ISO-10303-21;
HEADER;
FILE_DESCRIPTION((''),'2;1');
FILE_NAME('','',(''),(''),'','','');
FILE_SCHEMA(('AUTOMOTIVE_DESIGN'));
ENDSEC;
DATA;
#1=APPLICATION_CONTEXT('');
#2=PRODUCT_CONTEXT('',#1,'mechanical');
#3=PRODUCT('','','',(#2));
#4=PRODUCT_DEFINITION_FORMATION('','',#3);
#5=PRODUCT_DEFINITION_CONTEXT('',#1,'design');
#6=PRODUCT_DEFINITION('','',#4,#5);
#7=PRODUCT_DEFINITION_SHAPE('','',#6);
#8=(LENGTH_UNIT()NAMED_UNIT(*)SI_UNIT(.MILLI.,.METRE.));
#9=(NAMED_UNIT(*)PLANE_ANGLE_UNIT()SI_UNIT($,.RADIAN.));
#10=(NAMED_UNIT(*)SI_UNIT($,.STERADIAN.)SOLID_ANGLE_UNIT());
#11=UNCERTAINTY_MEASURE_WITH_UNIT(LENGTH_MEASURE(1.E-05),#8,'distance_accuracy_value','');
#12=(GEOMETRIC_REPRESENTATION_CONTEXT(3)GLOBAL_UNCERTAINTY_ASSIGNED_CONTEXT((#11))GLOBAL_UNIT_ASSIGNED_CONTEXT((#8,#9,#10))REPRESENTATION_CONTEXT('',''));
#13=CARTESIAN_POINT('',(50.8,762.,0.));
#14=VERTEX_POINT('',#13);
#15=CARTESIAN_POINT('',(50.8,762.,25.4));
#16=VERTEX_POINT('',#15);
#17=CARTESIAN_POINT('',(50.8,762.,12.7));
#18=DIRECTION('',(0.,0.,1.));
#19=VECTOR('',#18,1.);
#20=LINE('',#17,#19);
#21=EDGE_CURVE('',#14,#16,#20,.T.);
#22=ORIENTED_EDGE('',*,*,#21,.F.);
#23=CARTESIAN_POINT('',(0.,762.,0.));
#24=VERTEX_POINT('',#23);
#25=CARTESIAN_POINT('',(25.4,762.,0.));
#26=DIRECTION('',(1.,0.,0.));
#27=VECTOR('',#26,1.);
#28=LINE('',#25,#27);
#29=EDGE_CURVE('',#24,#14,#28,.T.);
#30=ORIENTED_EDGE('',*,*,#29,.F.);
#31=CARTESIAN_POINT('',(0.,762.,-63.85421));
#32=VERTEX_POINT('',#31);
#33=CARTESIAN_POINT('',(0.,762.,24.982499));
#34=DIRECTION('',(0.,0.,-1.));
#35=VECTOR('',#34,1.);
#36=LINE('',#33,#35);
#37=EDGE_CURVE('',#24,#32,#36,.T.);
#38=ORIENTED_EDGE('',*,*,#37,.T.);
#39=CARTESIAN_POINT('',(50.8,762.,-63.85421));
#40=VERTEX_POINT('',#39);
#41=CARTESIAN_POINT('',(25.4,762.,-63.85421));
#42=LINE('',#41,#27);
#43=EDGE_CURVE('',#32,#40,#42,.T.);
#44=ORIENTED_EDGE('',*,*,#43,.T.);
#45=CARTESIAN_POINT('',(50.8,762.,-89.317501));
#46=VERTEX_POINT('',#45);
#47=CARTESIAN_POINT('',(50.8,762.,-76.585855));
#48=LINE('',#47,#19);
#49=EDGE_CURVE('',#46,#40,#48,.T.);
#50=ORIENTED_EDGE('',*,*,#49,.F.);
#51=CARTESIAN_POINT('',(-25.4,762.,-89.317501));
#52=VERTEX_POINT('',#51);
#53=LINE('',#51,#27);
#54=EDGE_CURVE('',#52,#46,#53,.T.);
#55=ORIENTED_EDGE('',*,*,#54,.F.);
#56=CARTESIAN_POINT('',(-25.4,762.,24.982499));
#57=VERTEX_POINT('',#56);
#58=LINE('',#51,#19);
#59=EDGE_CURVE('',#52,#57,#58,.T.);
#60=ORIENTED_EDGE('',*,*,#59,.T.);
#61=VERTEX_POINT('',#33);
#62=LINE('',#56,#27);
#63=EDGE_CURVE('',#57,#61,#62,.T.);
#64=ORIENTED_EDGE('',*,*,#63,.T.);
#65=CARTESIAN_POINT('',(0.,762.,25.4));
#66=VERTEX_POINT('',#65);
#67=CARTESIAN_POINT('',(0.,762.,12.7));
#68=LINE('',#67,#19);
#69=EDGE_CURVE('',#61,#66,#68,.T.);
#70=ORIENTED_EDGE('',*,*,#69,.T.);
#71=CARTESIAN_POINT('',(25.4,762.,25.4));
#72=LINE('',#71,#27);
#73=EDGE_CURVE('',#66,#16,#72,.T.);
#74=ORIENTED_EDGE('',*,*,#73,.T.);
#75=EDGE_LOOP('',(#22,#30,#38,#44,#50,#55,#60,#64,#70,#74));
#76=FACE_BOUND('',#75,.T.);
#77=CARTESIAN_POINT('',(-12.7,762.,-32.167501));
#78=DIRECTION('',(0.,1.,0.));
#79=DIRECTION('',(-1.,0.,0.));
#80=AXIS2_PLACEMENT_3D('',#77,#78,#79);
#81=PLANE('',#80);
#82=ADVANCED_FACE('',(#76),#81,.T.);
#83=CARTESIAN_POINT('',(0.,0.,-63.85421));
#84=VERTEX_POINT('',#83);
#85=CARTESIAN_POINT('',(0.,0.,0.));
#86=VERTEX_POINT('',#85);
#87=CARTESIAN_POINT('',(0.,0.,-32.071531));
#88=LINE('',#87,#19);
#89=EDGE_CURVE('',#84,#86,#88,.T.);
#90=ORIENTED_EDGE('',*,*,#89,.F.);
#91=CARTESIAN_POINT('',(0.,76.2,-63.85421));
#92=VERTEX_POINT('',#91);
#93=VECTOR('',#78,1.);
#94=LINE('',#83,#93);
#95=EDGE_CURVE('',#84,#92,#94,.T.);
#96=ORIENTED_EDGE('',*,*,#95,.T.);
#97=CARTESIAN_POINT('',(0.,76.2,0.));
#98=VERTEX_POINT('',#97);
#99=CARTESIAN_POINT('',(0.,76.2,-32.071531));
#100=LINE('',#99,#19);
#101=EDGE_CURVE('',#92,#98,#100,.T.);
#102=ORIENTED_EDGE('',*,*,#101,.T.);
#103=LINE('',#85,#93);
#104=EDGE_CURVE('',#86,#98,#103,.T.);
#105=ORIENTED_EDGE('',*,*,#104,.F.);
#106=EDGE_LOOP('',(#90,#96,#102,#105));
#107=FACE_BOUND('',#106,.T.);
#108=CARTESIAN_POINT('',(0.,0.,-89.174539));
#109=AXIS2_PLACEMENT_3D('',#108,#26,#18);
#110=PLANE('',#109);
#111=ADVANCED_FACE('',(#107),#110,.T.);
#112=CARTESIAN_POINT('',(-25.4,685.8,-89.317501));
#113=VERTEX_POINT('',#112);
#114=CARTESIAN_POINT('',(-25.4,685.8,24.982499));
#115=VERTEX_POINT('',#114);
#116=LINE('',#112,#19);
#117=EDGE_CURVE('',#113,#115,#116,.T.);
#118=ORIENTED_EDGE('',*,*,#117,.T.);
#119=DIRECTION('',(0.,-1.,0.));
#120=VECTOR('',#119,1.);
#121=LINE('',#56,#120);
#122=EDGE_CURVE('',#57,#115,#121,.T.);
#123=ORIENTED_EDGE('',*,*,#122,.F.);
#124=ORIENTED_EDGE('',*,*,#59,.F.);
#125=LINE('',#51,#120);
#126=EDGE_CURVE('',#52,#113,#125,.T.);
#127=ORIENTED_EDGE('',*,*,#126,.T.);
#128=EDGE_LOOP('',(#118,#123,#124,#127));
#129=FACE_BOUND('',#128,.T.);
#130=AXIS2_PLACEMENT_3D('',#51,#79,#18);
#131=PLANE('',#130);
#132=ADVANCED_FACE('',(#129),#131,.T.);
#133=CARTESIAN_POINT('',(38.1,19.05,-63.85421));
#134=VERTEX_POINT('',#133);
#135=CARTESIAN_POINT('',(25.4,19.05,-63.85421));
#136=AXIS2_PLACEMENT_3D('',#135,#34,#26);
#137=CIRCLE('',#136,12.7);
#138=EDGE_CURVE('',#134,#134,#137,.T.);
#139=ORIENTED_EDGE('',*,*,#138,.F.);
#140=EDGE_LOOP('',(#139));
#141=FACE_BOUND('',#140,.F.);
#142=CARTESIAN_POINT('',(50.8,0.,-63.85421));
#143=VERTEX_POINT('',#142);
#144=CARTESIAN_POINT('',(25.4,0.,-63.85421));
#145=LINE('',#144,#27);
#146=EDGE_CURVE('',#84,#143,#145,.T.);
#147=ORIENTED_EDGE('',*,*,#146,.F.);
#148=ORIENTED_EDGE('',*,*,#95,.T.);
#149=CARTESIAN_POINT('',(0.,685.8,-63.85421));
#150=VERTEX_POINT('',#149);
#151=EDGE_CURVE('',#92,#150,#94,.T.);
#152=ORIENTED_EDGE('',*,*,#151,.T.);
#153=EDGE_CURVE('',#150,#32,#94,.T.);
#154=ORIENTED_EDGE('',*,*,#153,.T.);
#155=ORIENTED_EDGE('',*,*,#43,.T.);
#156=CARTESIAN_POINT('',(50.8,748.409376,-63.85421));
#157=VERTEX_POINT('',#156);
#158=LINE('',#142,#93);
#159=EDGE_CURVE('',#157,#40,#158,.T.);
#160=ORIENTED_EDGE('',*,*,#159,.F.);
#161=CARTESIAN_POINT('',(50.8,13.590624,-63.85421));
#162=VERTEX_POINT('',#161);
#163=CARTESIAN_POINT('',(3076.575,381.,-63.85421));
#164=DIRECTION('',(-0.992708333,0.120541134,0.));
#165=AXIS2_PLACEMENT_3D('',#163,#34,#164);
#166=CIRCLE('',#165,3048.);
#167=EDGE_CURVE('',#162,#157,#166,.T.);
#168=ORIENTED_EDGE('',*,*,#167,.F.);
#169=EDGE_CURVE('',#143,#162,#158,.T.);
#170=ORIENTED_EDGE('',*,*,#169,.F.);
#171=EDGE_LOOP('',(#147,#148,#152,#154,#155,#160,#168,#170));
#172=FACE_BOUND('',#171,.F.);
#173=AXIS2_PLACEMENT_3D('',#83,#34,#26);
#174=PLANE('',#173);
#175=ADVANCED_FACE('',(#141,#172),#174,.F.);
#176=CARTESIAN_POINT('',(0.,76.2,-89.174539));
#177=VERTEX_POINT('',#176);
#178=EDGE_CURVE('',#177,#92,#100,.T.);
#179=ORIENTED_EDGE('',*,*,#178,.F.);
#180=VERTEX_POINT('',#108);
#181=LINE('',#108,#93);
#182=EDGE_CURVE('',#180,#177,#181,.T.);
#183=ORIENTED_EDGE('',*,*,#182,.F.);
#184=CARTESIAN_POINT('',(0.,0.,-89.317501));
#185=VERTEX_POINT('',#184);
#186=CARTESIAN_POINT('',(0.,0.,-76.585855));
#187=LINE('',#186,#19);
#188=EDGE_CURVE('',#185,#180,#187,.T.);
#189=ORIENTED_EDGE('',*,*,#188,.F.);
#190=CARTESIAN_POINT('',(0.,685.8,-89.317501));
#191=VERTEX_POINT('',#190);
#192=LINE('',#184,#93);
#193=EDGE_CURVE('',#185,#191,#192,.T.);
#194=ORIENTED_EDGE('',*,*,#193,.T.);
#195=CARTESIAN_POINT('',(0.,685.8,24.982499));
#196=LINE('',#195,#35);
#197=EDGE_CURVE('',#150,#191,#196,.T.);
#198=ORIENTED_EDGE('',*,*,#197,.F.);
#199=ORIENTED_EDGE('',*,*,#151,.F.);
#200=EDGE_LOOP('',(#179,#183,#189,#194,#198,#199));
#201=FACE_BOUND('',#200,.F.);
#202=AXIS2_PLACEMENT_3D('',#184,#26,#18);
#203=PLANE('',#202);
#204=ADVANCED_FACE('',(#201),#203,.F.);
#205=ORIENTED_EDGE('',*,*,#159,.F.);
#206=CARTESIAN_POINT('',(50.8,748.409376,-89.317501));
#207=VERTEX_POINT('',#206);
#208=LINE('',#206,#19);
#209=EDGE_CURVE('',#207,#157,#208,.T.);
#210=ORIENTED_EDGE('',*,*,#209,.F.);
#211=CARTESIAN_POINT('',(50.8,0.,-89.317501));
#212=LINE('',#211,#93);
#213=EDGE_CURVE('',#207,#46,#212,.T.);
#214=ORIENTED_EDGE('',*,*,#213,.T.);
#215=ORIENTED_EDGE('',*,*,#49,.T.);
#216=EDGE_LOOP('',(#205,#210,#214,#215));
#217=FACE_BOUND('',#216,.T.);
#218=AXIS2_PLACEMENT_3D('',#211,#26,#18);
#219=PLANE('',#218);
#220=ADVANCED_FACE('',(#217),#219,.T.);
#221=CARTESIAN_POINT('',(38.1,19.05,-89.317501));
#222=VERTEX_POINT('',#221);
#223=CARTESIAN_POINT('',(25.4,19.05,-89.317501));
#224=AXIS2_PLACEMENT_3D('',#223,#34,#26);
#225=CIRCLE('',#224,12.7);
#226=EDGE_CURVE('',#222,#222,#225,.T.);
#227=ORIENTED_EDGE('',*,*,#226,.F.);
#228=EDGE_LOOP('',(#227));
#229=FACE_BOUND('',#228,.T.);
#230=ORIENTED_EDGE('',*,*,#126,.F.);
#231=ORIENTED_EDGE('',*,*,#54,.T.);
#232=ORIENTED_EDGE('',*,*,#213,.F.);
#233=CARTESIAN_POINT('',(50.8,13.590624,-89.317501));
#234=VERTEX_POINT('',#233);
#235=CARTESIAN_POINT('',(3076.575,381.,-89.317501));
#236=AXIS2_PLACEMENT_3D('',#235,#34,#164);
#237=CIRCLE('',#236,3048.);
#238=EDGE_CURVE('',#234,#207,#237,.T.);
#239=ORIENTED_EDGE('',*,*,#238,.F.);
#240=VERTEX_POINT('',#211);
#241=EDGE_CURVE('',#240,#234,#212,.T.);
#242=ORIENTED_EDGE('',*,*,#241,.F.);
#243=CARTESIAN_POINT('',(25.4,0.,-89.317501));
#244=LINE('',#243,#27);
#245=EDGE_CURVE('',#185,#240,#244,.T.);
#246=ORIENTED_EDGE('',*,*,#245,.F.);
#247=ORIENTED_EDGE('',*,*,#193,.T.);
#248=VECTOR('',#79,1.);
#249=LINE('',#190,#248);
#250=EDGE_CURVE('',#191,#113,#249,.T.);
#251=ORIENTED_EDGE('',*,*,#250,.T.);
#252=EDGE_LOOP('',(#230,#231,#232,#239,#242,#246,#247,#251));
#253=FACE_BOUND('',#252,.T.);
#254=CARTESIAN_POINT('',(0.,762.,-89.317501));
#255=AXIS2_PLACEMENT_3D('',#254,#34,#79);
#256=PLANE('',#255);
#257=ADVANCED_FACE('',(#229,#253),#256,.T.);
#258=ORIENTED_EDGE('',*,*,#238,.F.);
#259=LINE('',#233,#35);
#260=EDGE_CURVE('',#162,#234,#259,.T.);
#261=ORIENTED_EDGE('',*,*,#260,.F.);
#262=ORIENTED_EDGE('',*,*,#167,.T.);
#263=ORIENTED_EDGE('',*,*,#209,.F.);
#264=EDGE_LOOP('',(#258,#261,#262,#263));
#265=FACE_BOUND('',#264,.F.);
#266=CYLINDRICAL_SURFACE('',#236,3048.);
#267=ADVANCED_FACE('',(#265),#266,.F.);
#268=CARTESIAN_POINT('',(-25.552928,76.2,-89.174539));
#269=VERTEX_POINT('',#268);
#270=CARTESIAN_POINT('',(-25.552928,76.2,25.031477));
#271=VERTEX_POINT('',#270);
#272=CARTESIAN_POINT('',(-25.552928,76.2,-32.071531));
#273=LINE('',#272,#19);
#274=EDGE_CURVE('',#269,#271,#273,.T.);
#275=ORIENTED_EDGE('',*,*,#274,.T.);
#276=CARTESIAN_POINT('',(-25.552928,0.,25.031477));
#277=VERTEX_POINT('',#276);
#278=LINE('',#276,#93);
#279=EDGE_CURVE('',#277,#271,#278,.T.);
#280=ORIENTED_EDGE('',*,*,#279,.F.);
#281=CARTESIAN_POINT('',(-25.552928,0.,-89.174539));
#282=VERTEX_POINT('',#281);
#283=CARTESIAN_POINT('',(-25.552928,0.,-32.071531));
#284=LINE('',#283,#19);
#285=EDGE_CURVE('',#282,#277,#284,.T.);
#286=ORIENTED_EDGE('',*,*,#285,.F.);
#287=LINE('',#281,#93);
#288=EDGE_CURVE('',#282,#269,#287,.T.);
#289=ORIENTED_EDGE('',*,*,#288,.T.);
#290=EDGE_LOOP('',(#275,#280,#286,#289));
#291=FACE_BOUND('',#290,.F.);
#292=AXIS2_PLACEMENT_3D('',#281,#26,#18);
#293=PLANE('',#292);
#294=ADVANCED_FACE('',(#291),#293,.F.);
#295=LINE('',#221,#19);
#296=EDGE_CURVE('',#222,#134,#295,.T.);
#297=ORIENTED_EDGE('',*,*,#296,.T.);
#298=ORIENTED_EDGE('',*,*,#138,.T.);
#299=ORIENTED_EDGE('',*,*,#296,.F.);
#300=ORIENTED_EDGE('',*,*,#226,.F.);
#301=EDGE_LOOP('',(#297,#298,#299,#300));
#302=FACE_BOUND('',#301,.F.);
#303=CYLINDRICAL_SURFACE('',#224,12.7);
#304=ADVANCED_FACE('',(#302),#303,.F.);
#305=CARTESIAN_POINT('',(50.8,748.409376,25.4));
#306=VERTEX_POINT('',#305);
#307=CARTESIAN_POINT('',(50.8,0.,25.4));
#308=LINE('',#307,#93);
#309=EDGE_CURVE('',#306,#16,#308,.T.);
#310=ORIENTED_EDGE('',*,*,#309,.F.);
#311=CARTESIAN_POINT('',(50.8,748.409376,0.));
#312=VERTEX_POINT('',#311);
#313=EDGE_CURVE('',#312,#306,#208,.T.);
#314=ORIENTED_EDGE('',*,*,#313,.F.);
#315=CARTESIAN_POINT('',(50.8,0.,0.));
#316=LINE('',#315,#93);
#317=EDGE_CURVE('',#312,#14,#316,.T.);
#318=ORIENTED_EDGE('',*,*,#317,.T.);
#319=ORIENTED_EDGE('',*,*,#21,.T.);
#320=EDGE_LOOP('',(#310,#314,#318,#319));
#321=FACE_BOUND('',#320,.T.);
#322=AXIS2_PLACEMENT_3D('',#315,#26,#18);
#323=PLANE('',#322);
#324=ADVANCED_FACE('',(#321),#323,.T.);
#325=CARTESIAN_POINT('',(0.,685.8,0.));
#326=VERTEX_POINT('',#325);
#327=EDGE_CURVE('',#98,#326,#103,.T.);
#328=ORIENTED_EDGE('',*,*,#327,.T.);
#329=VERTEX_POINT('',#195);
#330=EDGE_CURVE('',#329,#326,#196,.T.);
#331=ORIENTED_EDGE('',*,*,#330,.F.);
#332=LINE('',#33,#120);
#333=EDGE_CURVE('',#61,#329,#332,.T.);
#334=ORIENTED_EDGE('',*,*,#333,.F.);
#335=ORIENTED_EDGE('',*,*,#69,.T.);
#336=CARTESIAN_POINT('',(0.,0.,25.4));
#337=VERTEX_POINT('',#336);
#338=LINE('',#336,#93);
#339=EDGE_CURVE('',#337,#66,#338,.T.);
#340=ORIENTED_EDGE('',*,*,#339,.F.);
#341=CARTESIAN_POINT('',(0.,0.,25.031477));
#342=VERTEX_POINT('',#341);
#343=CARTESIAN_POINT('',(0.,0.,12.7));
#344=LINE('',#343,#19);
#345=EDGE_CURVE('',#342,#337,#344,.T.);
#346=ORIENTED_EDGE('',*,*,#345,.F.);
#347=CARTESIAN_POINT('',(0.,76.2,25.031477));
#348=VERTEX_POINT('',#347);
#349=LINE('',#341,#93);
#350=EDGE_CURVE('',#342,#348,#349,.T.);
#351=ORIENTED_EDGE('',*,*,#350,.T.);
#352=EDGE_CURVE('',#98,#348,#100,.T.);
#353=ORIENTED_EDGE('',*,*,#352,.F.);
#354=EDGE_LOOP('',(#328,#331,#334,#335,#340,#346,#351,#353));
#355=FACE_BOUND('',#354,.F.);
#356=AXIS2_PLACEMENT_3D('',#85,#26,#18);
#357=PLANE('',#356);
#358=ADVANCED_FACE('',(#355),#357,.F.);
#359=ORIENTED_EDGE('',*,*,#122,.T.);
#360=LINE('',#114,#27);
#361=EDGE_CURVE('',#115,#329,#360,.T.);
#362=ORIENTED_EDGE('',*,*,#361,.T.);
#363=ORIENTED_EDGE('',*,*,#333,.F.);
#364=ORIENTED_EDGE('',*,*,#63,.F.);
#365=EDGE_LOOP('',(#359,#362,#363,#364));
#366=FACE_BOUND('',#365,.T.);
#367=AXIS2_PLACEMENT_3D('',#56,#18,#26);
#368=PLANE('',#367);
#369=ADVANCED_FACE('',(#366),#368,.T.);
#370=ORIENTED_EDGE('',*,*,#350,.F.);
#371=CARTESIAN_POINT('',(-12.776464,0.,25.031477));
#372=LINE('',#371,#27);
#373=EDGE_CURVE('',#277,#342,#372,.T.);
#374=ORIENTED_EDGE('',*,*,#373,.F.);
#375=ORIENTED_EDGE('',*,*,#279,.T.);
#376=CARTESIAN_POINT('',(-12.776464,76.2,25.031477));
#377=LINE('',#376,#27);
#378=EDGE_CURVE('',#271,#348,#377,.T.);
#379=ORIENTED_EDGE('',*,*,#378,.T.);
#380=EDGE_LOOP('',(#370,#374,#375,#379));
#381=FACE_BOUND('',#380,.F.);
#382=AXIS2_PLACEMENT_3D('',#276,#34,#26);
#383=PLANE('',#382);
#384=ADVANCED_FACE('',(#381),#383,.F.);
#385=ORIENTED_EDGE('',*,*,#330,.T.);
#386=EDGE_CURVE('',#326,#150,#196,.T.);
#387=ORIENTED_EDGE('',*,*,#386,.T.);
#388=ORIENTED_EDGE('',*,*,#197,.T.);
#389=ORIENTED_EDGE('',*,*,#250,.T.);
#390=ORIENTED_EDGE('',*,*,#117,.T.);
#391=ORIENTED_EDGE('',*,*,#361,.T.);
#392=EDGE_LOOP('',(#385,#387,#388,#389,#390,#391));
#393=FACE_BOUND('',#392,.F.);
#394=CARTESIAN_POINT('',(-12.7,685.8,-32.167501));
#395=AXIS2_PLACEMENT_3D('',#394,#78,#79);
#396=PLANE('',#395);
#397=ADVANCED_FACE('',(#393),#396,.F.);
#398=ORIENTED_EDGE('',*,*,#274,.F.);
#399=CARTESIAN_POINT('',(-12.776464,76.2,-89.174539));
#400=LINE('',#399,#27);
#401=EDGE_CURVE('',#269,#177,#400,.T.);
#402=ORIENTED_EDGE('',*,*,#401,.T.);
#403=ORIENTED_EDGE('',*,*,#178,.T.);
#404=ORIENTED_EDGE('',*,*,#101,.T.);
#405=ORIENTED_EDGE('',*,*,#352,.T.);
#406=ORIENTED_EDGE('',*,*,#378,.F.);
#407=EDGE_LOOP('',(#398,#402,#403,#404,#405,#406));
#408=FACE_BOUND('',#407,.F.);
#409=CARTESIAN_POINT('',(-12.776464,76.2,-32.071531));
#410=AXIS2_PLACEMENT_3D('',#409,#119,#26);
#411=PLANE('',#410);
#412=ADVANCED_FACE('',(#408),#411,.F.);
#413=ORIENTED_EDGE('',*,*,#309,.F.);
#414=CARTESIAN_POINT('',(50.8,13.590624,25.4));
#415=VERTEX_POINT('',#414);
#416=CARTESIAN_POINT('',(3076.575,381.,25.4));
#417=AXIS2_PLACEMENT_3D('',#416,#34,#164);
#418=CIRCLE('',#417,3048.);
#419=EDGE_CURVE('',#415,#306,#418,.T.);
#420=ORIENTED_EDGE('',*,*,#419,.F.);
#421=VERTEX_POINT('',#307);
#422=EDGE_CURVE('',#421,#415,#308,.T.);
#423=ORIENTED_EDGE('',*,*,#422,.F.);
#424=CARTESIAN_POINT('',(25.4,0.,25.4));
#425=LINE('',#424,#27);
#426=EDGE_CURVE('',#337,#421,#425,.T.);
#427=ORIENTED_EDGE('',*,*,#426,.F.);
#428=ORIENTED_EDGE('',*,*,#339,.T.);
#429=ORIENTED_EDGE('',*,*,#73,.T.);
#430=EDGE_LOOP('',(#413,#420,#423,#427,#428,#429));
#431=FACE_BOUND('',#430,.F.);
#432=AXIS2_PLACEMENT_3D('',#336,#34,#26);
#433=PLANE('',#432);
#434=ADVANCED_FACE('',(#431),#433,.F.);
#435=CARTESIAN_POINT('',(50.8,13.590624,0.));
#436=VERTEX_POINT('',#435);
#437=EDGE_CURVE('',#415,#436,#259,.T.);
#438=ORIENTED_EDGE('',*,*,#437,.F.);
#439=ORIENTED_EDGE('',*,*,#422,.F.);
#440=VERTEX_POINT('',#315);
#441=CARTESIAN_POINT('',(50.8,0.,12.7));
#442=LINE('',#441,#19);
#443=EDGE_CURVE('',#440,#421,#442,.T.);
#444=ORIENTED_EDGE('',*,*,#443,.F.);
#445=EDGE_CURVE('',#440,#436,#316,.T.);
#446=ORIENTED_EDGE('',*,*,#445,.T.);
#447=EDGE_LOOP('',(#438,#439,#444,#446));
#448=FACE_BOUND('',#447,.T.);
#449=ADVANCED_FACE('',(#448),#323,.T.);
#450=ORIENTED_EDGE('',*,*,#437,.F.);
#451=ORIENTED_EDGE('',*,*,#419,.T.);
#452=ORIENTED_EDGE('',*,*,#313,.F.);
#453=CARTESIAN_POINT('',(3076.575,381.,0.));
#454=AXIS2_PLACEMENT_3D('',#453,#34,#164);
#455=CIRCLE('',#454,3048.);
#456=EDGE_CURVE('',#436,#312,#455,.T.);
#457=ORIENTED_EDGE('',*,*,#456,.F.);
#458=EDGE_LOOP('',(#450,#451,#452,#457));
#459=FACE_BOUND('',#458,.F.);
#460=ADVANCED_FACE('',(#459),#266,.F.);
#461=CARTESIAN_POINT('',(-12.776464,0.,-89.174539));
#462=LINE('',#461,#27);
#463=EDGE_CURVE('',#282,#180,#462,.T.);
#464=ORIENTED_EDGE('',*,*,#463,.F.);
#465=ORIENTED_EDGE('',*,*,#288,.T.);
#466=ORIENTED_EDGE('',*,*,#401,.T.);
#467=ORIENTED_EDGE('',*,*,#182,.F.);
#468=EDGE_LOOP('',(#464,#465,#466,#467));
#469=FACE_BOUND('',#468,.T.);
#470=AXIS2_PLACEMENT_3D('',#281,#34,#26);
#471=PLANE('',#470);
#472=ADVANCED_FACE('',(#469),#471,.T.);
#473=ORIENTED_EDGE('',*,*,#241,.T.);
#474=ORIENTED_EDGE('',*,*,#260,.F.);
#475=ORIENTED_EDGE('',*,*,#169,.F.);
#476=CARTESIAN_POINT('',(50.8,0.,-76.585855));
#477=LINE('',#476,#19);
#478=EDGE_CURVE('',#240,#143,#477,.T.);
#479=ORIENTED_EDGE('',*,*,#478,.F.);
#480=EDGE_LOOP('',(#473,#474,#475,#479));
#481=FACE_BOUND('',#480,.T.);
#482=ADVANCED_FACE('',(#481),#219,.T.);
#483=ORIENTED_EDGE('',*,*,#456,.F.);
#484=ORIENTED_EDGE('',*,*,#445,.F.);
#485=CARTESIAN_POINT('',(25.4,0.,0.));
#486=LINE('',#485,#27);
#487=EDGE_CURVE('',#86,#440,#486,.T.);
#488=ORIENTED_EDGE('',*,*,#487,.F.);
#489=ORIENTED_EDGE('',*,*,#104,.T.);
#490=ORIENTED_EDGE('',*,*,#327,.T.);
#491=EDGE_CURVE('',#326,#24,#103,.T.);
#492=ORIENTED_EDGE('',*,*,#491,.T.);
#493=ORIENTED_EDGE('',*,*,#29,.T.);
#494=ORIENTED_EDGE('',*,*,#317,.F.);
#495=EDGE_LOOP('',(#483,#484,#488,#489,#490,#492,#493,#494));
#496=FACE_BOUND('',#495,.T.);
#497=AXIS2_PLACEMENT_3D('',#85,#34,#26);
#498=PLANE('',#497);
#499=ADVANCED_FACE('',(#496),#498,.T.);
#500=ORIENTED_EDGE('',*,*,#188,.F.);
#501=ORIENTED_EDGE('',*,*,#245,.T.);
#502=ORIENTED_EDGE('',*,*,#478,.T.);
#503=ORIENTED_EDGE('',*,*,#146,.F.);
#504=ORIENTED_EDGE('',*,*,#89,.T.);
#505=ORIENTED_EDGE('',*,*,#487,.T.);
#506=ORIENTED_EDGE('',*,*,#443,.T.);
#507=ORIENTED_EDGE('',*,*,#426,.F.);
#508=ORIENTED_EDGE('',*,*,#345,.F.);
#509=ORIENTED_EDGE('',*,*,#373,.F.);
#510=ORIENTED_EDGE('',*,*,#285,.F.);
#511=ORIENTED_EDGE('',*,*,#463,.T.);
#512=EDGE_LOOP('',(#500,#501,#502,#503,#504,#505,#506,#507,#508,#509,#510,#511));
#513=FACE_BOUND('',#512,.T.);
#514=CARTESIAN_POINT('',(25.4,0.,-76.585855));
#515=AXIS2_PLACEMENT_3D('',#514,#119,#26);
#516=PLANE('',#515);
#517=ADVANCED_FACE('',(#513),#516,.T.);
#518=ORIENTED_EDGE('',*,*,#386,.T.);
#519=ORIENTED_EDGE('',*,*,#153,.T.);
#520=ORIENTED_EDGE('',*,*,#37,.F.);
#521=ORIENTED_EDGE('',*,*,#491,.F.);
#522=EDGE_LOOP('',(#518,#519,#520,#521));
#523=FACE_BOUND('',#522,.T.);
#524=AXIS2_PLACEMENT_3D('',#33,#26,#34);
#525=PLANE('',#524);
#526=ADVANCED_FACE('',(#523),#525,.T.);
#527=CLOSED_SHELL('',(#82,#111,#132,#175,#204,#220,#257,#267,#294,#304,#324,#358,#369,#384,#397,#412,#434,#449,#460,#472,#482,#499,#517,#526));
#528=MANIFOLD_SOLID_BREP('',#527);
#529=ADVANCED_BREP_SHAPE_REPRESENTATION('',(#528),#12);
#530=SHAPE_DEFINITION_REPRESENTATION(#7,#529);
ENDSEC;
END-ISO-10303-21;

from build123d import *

# Parameters (mm, degrees)
F0_W      = 50.8
F0_H      = 25.4
F1_DEPTH  = 762
F2_W      = 25.5529284477
F2_H      = 114.2060160637
F3_DEPTH  = 76.2
F4_W      = 50.8
F4_H      = 25.4632905126
F5_DEPTH  = 762
F7_DEPTH  = 76.2
F9_DEPTH  = 114.7185005913
F10_R     = 12.7
F11_DEPTH = 25.4632905126


with BuildPart() as f1:
    # F0 (on Front) → F1 (new body)
    with BuildSketch(Plane.XZ):
        with Locations((25.4, 12.7)):
            Rectangle(F0_W, F0_H)
    extrude(amount=-F1_DEPTH)

    # F2 (on Front) → F3 (join)
    with BuildSketch(Plane.XZ):
        with Locations((-12.7764642239, -32.0715308189)):
            Rectangle(F2_W, F2_H)
    extrude(amount=-F3_DEPTH)

    # F4 (on Front) → F5 (join)
    with BuildSketch(Plane.XZ):
        with Locations((25.4, -76.585855335)):
            Rectangle(F4_W, F4_H)
    extrude(amount=-F5_DEPTH)

    # F6 (on face) → F7 (join)
    with BuildSketch(Plane(origin=(0, 762, 0), x_dir=(-1, 0, 0), z_dir=(0, 1, 0))):
        Polygon((0, -63.8542100787), (0, -89.3175005913), (25.4, -89.3175005913), (25.4, 24.9824994087), (0, 24.9824994087), align=None)
    extrude(amount=-F7_DEPTH)

    # F8 (on face) → F9 (cut, through all)
    with BuildSketch(Plane(origin=(0, 0, -89.3175005913), x_dir=(1, 0, 0), z_dir=(0, 0, -1))):
        with BuildLine():
            Line((50.8, -748.409375731), (50.8, -13.590624269))
            ThreePointArc((50.8, -13.590624269), (28.575, -381), (50.8, -748.409375731))
        make_face()
        with BuildLine():
            ThreePointArc((50.8, -748.409375731), (3260.6154846766, -3423.4386764568), (6124.575, -381))
            ThreePointArc((6124.575, -381), (3260.6154846766, 2661.4386764568), (50.8, -13.590624269))
            Line((50.8, -13.590624269), (50.8, -748.409375731))
        make_face()
    extrude(amount=-F9_DEPTH, mode=Mode.SUBTRACT)

    # F10 (on face) → F11 (cut, through all)
    with BuildSketch(Plane(origin=(0, 0, -89.3175005913), x_dir=(1, 0, 0), z_dir=(0, 0, -1))):
        with Locations((25.4, -19.05)):
            Circle(F10_R)
    extrude(amount=-F11_DEPTH, mode=Mode.SUBTRACT)


solid = f1.part
